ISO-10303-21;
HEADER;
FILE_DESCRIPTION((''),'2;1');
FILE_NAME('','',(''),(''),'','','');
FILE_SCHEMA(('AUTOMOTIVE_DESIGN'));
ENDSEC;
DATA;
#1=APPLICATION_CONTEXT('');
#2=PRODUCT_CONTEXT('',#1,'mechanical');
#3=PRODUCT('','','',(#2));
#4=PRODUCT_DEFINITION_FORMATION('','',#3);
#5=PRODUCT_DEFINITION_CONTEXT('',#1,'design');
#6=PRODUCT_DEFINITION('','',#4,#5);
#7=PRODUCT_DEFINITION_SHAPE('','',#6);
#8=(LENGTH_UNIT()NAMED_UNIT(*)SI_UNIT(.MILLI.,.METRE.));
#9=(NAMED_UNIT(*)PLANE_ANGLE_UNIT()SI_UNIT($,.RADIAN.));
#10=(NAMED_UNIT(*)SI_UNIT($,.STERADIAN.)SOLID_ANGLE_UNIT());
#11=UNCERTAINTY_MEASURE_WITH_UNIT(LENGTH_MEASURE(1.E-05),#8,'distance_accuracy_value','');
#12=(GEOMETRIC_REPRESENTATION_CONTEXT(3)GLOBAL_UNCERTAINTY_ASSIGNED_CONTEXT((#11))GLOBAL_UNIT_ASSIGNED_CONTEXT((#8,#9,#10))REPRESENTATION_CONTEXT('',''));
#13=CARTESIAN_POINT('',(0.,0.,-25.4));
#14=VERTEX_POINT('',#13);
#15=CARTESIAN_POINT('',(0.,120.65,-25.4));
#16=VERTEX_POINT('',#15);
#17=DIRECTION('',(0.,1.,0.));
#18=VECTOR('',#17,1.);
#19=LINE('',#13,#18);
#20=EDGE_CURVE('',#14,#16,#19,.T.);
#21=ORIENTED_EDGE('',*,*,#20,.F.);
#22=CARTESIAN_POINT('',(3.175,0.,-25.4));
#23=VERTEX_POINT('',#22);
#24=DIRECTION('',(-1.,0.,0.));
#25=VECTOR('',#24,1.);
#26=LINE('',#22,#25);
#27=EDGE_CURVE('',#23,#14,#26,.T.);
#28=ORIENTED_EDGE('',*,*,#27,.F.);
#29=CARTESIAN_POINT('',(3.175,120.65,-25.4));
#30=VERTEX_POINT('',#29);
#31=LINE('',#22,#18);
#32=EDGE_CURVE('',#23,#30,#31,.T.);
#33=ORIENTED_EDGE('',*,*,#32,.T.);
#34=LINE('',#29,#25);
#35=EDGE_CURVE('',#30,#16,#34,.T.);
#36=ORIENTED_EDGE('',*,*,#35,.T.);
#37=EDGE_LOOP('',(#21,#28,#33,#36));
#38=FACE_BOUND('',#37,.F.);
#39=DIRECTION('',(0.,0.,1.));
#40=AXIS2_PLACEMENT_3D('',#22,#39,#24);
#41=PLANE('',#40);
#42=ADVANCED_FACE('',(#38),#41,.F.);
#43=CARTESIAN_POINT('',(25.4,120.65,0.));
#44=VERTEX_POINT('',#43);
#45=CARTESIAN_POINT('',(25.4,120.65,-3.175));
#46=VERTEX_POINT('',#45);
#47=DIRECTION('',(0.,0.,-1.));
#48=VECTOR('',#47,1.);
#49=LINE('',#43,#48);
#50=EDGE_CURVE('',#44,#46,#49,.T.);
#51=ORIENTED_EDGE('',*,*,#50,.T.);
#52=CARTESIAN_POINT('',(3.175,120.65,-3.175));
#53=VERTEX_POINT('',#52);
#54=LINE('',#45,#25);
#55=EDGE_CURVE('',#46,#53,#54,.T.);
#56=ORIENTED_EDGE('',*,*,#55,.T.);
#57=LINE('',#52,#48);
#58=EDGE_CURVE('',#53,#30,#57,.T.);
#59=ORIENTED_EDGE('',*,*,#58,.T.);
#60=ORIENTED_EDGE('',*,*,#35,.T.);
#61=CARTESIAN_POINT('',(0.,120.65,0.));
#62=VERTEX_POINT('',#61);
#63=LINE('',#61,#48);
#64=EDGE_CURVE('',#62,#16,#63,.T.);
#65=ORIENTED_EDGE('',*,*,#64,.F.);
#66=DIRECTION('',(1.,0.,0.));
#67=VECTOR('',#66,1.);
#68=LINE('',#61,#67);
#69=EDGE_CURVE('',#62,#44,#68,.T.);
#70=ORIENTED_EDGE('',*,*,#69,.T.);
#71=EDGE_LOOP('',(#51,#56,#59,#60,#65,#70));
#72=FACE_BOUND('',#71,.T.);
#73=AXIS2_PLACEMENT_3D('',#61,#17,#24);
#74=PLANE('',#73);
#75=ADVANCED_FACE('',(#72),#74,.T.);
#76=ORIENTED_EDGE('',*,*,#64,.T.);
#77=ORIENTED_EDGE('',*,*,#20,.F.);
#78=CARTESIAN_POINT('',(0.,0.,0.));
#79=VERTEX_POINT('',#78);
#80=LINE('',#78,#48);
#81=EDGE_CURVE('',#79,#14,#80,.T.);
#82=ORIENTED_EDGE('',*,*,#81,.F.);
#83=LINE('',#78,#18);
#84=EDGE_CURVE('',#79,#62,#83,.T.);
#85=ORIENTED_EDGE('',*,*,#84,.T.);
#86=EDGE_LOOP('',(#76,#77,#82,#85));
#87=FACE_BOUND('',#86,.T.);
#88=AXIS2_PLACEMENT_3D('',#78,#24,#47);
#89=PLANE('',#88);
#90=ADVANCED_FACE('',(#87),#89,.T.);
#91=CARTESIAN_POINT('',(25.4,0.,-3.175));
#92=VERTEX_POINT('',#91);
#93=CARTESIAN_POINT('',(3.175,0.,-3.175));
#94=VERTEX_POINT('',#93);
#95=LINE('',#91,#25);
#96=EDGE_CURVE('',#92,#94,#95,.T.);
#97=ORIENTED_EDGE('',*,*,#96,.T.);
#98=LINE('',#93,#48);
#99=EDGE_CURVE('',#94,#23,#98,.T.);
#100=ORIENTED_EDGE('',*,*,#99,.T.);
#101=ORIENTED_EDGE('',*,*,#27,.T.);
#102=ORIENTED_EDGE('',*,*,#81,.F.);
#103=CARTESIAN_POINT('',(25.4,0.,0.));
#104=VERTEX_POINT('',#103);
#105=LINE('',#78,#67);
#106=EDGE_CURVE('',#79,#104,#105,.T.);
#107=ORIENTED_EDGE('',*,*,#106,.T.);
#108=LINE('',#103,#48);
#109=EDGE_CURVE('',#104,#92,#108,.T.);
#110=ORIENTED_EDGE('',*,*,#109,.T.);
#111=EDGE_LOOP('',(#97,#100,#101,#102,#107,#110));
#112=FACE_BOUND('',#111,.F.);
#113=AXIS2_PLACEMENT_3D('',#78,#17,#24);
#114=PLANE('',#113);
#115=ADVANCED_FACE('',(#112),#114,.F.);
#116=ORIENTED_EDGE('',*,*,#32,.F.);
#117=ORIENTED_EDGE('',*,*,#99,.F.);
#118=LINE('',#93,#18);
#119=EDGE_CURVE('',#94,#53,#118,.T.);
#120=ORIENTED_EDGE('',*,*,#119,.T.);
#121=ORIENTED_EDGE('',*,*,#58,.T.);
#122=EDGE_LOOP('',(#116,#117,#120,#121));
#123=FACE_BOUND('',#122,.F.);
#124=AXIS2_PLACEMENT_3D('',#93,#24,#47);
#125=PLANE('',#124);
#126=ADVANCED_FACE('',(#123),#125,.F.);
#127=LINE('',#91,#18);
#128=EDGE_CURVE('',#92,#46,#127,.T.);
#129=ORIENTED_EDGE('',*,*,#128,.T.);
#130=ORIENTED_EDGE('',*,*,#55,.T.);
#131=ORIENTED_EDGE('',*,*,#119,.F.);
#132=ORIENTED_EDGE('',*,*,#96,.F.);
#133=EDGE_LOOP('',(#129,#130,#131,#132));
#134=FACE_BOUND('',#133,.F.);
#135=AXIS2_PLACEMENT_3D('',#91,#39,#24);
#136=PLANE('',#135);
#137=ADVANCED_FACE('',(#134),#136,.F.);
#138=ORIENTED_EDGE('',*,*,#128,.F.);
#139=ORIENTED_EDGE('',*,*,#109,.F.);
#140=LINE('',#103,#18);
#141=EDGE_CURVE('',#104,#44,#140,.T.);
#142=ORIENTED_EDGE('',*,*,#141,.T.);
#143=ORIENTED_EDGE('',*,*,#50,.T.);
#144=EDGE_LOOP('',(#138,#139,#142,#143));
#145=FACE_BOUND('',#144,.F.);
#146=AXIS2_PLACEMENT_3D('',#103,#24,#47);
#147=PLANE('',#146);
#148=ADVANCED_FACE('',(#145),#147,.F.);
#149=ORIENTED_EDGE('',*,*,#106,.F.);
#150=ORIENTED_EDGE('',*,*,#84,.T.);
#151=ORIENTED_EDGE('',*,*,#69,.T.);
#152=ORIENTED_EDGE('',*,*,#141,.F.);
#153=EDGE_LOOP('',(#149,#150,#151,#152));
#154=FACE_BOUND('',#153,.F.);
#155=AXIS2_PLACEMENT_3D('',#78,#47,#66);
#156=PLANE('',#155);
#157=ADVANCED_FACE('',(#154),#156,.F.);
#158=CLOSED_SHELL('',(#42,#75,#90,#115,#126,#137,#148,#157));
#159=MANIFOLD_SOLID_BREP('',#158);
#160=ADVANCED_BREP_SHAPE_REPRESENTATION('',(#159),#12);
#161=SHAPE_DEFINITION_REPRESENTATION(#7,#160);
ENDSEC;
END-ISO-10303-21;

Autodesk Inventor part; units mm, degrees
ref_plane "YZ Plane" through (0, 0, 0) normal (1, 0, 0) x (0, 1, 0)
ref_plane "XZ Plane" through (0, 0, 0) normal (0, 1, 0) x (-1, 0, 0)
ref_plane "XY Plane" through (0, 0, 0) normal (0, 0, 1) x (1, 0, 0)
sketch "Sketch1" plane through (0, 0, 0) normal (0, 1, 0) x (-1, 0, 0)
  line L0 (0, 0) -> (0, -25.4)
  line L1 (0, 0) -> (-25.4, 0)
  line L2 (-25.4, 0) -> (-25.4, -3.175)
  line L3 (-25.4, -3.175) -> (-3.175, -3.175)
  line L4 (-3.175, -3.175) -> (-3.175, -25.4)
  line L5 (-3.175, -25.4) -> (0, -25.4)
  dimension "d0" = 25.4
  dimension "d1" = 25.4
  dimension "d2" = 3.175
  dimension "d3" = 3.175
extrude "Extrusion1" add sketch "Sketch1" along normal blind 120.65
properties part number "wall braket" material "Aluminum 6061"
